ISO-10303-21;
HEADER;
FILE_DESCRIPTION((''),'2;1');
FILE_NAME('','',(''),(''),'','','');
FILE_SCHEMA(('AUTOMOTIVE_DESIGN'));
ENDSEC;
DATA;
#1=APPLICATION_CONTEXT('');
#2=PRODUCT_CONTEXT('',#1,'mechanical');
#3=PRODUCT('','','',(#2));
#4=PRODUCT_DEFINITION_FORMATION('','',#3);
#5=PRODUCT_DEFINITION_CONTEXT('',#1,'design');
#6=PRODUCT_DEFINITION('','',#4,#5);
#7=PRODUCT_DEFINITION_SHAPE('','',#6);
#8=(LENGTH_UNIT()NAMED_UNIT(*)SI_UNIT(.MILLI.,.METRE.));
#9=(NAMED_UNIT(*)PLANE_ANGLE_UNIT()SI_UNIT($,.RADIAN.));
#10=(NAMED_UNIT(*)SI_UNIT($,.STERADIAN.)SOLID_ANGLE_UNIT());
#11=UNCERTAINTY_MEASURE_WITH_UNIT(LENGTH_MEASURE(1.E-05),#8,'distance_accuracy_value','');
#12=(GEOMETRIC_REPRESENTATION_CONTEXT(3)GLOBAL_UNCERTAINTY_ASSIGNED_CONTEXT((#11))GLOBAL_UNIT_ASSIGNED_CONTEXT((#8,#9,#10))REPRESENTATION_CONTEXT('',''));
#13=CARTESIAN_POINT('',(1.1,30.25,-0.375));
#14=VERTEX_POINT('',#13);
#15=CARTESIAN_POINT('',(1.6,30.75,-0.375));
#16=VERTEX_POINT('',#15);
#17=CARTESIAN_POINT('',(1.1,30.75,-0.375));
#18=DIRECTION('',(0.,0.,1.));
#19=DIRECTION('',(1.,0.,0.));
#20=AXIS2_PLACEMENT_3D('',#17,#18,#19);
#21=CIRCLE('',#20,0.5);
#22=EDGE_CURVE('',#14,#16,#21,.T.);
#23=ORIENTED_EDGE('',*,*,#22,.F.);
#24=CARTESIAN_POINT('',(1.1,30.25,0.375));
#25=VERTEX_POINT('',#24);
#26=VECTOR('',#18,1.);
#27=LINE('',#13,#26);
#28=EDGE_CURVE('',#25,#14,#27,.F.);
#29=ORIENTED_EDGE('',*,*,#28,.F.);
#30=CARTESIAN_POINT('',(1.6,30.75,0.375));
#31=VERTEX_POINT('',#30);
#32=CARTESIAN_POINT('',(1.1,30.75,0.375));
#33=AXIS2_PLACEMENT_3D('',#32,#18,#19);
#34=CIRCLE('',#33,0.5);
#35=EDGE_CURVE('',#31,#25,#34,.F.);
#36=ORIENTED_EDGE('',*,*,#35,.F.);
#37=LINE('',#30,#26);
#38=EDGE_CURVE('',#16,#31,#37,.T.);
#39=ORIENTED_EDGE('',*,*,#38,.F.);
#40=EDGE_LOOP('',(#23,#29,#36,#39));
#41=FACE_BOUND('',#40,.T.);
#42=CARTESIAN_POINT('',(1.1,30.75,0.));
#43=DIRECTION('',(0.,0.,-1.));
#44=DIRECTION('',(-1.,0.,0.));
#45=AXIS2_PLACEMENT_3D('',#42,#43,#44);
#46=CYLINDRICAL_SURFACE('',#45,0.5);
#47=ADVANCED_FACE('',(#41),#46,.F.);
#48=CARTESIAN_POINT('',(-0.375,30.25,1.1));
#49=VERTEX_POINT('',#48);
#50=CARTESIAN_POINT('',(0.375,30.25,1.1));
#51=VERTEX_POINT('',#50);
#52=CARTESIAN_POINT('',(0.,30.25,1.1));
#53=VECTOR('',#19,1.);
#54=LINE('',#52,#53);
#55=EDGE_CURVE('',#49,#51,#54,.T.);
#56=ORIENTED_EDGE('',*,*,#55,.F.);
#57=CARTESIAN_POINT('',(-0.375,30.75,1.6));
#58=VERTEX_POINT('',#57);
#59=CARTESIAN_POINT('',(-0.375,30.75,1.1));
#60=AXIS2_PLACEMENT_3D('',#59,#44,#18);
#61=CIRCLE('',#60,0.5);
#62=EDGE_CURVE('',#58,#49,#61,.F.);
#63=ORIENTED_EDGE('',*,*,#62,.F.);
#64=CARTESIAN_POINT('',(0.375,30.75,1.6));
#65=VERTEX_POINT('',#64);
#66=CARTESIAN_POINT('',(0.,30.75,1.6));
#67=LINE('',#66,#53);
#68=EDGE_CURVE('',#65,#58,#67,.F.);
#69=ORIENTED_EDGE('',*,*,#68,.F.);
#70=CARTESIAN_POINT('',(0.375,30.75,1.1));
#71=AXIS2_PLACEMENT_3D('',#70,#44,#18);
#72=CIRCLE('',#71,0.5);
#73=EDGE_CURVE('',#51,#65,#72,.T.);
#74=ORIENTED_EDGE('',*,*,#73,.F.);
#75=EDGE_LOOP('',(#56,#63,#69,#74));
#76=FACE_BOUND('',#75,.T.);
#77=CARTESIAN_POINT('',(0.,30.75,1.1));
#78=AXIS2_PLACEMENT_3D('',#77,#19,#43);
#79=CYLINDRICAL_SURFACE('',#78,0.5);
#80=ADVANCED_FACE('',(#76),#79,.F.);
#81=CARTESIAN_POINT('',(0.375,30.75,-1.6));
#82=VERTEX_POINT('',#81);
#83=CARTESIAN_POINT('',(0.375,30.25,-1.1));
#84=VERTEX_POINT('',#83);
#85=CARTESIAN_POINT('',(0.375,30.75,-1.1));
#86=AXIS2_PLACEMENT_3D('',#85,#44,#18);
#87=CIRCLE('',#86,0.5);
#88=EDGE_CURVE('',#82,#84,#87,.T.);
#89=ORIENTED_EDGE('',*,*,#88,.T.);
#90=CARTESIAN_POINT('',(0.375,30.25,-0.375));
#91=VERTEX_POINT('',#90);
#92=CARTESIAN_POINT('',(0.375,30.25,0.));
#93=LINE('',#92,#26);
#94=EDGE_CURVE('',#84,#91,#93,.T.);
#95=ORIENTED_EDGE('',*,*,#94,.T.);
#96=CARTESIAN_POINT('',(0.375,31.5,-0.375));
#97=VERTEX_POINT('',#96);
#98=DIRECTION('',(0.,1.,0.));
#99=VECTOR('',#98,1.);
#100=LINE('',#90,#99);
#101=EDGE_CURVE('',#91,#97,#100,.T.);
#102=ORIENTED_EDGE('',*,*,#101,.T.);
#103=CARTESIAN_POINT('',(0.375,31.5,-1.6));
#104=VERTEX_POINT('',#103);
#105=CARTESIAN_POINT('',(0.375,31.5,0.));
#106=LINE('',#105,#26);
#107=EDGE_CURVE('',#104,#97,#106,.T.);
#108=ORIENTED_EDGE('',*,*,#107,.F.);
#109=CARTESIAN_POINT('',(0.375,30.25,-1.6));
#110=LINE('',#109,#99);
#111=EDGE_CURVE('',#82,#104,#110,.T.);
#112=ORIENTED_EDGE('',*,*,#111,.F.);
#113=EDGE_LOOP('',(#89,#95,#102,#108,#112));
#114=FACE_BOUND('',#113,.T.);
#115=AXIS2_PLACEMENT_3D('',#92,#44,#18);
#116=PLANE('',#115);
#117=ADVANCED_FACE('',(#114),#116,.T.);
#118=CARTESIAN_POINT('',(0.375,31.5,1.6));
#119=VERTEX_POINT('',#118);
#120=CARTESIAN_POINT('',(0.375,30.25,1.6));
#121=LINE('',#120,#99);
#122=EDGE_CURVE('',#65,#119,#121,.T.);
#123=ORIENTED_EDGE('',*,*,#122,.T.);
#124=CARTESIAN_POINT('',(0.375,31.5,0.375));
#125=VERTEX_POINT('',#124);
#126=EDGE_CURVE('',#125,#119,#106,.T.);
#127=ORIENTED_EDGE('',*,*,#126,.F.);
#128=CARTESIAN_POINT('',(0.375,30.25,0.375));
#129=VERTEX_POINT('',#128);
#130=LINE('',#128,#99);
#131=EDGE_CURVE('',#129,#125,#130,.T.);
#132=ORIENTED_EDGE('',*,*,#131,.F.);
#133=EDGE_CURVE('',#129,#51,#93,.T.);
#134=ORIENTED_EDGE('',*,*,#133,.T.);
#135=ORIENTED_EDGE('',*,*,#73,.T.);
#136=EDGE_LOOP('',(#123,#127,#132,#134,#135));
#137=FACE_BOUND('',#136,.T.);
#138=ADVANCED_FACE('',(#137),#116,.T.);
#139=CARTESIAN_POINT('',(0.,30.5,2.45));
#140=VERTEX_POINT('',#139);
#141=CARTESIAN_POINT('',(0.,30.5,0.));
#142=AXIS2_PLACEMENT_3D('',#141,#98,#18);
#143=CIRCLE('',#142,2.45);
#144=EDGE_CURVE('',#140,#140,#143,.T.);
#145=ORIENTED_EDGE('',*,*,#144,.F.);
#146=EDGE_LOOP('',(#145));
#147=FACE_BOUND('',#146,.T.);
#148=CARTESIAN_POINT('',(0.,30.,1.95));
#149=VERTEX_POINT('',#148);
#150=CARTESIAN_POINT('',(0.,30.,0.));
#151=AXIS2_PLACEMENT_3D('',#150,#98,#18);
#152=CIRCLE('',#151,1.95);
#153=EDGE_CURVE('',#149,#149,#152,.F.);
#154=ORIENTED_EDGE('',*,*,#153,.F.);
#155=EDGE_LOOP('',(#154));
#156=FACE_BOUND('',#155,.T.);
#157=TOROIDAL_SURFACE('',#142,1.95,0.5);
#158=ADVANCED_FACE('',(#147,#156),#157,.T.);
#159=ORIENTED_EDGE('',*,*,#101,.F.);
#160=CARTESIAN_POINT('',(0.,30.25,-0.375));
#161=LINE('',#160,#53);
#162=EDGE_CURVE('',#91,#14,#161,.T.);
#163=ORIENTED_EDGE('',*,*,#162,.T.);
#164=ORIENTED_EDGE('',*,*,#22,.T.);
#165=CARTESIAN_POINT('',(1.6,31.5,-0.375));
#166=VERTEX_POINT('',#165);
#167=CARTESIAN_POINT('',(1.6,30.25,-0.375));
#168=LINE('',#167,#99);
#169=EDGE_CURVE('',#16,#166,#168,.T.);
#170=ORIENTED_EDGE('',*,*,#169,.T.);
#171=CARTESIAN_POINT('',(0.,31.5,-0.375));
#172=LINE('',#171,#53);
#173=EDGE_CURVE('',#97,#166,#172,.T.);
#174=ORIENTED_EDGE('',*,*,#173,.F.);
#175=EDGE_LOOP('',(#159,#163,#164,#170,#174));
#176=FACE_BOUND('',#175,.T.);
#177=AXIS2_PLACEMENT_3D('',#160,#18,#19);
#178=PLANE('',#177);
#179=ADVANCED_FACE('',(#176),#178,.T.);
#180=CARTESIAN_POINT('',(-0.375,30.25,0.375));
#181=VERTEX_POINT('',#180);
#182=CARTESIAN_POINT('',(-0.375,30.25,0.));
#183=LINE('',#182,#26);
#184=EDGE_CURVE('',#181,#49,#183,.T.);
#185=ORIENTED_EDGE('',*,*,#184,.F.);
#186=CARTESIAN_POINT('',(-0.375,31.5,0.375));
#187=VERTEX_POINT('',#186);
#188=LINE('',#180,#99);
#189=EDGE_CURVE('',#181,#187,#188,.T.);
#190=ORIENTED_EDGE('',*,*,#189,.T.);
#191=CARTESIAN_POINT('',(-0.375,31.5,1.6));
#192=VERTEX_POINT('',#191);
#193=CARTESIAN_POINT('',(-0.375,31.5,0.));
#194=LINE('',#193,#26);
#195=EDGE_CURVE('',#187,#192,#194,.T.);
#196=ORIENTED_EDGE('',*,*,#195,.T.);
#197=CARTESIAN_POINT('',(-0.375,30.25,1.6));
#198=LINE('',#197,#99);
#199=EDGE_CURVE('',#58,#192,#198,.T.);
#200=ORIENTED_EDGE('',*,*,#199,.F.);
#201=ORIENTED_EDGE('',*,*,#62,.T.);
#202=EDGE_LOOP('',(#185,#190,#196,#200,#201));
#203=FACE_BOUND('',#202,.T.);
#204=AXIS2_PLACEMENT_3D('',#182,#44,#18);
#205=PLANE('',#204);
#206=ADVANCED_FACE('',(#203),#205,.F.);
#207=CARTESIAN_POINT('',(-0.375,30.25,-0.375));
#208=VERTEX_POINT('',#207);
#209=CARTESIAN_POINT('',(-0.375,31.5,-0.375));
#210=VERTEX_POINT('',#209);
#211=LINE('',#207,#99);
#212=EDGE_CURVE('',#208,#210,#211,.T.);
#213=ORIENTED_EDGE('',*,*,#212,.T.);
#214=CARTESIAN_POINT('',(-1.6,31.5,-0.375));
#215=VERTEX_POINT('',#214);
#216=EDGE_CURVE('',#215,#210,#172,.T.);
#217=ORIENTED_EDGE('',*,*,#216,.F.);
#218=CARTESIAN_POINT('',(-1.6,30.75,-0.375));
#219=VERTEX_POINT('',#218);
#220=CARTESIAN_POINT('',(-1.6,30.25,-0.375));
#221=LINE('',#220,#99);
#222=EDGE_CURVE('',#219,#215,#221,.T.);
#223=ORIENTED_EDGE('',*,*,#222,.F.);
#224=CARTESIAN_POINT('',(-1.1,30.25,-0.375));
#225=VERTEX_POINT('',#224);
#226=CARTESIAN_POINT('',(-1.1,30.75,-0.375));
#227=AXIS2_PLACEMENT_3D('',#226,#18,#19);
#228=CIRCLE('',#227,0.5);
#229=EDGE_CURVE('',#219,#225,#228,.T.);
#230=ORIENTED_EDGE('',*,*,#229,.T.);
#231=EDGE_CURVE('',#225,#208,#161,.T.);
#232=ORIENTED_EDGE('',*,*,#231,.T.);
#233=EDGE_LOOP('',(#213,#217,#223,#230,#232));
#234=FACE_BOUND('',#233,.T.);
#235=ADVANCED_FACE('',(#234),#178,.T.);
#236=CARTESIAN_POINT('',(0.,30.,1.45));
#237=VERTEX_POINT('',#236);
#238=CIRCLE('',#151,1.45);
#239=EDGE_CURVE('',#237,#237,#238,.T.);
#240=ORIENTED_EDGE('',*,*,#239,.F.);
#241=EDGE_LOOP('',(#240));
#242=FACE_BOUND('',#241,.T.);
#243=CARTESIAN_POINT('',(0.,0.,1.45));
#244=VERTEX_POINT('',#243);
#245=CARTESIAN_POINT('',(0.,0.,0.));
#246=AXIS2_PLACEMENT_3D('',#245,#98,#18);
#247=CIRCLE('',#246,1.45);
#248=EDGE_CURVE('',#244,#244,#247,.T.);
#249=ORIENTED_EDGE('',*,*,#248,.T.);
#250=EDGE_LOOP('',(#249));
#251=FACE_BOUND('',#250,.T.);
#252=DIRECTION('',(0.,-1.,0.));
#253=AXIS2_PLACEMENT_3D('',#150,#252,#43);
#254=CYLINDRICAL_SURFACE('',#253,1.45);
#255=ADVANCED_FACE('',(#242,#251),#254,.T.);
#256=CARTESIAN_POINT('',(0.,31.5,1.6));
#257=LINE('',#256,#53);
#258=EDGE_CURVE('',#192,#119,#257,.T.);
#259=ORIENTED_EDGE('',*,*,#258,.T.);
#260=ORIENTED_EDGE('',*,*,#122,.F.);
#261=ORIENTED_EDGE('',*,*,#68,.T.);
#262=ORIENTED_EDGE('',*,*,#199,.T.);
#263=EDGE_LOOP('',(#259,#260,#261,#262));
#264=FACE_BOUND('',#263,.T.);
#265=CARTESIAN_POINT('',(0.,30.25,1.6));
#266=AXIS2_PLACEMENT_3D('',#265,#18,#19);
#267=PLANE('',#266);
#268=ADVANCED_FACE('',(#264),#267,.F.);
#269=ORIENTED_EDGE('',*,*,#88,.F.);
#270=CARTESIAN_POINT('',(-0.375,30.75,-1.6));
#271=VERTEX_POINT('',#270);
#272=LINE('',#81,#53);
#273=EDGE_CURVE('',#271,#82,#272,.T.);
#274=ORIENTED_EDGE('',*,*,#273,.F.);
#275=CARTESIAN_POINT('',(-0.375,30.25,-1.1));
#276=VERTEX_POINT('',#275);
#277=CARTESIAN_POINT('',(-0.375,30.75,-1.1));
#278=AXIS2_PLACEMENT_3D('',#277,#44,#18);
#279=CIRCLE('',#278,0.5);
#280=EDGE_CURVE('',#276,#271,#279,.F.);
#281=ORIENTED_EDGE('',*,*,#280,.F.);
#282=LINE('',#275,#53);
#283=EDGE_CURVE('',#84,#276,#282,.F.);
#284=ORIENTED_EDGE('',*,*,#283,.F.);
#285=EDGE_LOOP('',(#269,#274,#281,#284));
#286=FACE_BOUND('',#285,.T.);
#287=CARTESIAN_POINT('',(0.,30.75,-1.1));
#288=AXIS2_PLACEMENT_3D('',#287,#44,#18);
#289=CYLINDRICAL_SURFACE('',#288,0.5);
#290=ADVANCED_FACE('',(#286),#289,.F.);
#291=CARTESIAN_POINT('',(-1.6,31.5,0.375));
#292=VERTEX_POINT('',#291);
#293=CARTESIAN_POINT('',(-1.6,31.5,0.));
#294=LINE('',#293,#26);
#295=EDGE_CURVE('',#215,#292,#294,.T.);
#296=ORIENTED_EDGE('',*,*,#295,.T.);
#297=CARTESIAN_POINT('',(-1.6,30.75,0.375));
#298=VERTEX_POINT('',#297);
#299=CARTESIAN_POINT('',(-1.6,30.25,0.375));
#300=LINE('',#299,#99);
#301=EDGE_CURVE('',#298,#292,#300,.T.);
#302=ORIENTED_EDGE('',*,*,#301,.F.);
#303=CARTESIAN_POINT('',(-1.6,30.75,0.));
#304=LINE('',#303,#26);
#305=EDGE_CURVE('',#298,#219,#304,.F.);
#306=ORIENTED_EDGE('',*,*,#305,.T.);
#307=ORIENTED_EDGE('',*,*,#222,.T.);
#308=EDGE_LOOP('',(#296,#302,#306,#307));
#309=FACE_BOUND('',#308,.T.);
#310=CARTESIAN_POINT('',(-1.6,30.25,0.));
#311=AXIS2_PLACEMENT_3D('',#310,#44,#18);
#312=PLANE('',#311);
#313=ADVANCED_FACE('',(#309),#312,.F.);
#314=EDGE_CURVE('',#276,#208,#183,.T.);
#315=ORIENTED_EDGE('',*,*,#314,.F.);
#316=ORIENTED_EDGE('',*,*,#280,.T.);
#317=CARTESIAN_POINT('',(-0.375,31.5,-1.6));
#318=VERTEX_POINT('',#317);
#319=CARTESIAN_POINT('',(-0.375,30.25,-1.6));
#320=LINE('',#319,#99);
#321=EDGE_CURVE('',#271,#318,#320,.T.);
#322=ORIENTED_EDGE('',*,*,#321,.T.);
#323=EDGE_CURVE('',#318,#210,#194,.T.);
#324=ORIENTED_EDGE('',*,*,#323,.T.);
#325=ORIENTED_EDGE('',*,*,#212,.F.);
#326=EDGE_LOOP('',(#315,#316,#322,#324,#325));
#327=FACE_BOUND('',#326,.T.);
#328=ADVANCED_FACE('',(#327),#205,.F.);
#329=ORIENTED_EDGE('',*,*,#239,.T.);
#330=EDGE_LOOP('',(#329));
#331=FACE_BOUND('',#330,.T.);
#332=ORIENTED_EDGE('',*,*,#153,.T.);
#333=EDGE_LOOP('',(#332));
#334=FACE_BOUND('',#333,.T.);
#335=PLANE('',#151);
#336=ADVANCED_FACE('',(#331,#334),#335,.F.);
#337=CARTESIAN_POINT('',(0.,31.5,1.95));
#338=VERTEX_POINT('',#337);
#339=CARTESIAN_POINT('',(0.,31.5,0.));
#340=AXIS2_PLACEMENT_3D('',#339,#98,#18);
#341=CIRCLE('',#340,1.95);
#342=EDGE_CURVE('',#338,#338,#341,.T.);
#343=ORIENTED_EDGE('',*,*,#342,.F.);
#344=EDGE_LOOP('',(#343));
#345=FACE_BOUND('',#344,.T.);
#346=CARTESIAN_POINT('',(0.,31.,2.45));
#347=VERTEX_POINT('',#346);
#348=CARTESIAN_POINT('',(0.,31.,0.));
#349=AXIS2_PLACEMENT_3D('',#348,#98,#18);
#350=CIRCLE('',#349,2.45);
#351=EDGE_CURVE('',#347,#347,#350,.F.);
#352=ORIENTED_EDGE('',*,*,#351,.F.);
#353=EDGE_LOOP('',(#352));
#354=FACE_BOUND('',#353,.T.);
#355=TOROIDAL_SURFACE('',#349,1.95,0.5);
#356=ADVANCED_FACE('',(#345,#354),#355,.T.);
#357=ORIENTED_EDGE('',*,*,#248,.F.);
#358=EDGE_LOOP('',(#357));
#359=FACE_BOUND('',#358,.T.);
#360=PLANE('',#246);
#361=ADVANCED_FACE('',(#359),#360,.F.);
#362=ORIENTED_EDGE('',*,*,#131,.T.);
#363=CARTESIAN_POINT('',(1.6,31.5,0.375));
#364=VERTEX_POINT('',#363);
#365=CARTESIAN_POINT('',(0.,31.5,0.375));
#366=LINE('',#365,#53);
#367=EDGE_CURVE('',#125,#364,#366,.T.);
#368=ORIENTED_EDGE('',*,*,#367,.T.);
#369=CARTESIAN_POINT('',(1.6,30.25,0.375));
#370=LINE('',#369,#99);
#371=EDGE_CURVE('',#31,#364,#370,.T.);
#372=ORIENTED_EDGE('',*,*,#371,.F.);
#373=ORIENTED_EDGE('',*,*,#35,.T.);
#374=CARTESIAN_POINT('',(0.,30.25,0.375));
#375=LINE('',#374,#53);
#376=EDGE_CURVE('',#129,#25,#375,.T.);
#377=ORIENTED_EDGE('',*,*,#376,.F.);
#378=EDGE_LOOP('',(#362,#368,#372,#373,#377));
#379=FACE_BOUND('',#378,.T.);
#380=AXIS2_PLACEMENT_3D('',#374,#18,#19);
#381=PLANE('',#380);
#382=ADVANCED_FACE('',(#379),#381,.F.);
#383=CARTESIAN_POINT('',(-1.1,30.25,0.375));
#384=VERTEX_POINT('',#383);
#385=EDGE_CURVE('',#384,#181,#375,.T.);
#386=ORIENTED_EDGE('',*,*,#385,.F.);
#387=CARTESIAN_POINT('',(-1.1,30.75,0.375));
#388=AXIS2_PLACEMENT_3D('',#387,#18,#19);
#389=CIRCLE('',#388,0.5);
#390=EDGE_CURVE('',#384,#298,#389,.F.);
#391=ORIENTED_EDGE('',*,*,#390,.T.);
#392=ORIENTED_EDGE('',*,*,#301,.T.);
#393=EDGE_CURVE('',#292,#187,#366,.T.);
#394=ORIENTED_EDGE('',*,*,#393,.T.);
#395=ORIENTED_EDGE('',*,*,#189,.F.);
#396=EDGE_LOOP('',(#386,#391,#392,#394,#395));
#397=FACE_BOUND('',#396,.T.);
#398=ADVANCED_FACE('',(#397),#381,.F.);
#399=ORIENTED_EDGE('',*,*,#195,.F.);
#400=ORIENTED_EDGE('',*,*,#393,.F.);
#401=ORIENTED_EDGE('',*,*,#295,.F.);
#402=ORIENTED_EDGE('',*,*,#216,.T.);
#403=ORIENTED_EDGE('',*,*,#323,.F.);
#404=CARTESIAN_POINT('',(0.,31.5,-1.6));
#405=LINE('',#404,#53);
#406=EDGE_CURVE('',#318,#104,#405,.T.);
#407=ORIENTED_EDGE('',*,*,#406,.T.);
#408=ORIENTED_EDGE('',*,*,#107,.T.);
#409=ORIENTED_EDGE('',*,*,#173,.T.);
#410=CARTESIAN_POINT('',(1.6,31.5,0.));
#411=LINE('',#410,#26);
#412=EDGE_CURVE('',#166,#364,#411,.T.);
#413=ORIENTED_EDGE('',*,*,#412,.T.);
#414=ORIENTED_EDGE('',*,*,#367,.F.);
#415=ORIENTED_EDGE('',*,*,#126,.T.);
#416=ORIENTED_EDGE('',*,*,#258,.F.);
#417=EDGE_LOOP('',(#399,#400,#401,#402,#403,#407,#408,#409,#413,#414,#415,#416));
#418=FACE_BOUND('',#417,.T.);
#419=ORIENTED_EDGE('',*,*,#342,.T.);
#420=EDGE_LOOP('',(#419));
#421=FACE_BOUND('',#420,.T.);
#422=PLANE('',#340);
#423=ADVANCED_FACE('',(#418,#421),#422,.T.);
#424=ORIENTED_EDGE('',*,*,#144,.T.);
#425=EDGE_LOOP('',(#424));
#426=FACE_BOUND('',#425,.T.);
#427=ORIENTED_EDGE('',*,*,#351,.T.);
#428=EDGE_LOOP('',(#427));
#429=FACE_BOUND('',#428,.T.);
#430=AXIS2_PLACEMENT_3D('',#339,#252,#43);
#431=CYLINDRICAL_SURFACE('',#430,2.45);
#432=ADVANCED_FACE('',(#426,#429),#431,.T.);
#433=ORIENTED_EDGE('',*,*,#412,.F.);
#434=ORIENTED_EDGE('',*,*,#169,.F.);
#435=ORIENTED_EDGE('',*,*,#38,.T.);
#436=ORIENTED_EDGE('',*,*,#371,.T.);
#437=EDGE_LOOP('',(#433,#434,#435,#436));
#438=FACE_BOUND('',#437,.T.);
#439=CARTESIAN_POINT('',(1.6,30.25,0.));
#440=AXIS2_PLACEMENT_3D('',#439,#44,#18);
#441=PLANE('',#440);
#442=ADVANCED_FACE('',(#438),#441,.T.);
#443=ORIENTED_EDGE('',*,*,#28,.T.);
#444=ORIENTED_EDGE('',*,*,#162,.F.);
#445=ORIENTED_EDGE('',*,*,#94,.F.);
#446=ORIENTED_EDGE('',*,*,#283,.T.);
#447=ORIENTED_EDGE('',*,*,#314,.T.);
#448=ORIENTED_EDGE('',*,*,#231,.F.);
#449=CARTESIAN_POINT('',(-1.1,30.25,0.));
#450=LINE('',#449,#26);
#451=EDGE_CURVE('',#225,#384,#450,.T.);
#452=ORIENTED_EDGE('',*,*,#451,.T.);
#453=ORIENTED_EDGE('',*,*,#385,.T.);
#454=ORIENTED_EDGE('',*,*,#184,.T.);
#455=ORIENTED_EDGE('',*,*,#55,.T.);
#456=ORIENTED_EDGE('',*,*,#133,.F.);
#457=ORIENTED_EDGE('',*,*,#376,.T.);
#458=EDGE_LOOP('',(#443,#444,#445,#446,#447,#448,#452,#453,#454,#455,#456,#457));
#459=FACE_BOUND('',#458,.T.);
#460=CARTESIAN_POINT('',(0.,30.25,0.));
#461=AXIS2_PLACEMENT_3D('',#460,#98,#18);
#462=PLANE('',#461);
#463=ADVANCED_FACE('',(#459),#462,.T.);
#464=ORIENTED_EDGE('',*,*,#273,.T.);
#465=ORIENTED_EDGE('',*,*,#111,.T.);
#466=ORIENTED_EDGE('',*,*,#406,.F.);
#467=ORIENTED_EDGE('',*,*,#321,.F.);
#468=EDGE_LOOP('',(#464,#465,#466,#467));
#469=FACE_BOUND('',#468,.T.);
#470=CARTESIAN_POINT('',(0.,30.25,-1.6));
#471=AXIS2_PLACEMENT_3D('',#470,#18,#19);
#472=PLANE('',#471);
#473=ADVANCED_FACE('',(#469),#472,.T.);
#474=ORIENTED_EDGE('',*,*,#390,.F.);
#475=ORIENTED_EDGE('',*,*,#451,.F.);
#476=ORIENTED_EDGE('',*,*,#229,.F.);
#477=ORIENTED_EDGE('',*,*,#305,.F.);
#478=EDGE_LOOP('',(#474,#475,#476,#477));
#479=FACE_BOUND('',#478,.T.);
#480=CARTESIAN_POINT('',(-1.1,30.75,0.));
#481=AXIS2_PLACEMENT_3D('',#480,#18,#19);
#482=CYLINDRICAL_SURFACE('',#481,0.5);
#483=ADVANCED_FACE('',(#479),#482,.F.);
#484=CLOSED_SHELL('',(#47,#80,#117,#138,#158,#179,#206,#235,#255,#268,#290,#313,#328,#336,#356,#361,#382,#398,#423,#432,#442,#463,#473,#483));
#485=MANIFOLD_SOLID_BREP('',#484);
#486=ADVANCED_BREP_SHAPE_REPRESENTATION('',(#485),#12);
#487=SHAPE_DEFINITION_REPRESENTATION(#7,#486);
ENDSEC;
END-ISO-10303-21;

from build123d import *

# Parameters (mm, degrees)
SKETCH1_R           = 1.45
BOSS_EXTRUDE1_DEPTH = 30
SKETCH2_R           = 2.45
BOSS_EXTRUDE2_DEPTH = 1.5
FILLET1_R           = 0.5
SKETCH3_W           = 0.75
SKETCH3_H           = 1.225
SKETCH3_H_2         = 0.75
SKETCH3_W_2         = 1.225
CUT_EXTRUDE1_DEPTH  = 1.25
FILLET4_R           = 0.5


with BuildPart() as part:
    # Sketch1 → Boss-Extrude1 (new body)
    with BuildSketch(Plane(origin=(0, 0, 0), x_dir=(1, 0, 0), z_dir=(0, 1, 0))):
        with Locations(Location((0, 0, 0), (0, 0, 270))):
            Circle(SKETCH1_R)
    extrude(amount=BOSS_EXTRUDE1_DEPTH)

    # Sketch2 → Boss-Extrude2 (add)
    with BuildSketch(Plane(origin=(0, 30, 0), x_dir=(1, 0, 0), z_dir=(0, 1, 0))):
        with Locations(Location((0, 0, 0), (0, 0, 270))):
            Circle(SKETCH2_R)
    extrude(amount=BOSS_EXTRUDE2_DEPTH)

    # Fillet1
    fillet1_edges = [part.edges().sort_by_distance(p)[0] for p in [
        (0, 30, -2.45),
        (0, 31.5, -2.45),
    ]]
    fillet(fillet1_edges, radius=FILLET1_R)

    # Sketch3 → Cut-Extrude1 (cut)
    with BuildSketch(Plane(origin=(0, 31.5, 0), x_dir=(1, 0, 0), z_dir=(0, 1, 0))):
        with Locations((0, 0.9875)):
            Rectangle(SKETCH3_W, SKETCH3_H)
        Rectangle(SKETCH3_W, SKETCH3_H_2)
        with Locations((0, -0.9875)):
            Rectangle(SKETCH3_W, SKETCH3_H)
        with Locations((0.9875, 0)):
            Rectangle(SKETCH3_W_2, SKETCH3_H_2)
        with Locations((-0.9875, 0)):
            Rectangle(SKETCH3_W_2, SKETCH3_H_2)
    extrude(amount=-CUT_EXTRUDE1_DEPTH, mode=Mode.SUBTRACT)

    # Fillet4
    fillet4_edges = [part.edges().sort_by_distance(p)[0] for p in [
        (0, 30.25, 1.6),
        (-1.6, 30.25, 0),
        (0, 30.25, -1.6),
        (1.6, 30.25, 0),
    ]]
    fillet(fillet4_edges, radius=FILLET4_R)


solid = part.part
